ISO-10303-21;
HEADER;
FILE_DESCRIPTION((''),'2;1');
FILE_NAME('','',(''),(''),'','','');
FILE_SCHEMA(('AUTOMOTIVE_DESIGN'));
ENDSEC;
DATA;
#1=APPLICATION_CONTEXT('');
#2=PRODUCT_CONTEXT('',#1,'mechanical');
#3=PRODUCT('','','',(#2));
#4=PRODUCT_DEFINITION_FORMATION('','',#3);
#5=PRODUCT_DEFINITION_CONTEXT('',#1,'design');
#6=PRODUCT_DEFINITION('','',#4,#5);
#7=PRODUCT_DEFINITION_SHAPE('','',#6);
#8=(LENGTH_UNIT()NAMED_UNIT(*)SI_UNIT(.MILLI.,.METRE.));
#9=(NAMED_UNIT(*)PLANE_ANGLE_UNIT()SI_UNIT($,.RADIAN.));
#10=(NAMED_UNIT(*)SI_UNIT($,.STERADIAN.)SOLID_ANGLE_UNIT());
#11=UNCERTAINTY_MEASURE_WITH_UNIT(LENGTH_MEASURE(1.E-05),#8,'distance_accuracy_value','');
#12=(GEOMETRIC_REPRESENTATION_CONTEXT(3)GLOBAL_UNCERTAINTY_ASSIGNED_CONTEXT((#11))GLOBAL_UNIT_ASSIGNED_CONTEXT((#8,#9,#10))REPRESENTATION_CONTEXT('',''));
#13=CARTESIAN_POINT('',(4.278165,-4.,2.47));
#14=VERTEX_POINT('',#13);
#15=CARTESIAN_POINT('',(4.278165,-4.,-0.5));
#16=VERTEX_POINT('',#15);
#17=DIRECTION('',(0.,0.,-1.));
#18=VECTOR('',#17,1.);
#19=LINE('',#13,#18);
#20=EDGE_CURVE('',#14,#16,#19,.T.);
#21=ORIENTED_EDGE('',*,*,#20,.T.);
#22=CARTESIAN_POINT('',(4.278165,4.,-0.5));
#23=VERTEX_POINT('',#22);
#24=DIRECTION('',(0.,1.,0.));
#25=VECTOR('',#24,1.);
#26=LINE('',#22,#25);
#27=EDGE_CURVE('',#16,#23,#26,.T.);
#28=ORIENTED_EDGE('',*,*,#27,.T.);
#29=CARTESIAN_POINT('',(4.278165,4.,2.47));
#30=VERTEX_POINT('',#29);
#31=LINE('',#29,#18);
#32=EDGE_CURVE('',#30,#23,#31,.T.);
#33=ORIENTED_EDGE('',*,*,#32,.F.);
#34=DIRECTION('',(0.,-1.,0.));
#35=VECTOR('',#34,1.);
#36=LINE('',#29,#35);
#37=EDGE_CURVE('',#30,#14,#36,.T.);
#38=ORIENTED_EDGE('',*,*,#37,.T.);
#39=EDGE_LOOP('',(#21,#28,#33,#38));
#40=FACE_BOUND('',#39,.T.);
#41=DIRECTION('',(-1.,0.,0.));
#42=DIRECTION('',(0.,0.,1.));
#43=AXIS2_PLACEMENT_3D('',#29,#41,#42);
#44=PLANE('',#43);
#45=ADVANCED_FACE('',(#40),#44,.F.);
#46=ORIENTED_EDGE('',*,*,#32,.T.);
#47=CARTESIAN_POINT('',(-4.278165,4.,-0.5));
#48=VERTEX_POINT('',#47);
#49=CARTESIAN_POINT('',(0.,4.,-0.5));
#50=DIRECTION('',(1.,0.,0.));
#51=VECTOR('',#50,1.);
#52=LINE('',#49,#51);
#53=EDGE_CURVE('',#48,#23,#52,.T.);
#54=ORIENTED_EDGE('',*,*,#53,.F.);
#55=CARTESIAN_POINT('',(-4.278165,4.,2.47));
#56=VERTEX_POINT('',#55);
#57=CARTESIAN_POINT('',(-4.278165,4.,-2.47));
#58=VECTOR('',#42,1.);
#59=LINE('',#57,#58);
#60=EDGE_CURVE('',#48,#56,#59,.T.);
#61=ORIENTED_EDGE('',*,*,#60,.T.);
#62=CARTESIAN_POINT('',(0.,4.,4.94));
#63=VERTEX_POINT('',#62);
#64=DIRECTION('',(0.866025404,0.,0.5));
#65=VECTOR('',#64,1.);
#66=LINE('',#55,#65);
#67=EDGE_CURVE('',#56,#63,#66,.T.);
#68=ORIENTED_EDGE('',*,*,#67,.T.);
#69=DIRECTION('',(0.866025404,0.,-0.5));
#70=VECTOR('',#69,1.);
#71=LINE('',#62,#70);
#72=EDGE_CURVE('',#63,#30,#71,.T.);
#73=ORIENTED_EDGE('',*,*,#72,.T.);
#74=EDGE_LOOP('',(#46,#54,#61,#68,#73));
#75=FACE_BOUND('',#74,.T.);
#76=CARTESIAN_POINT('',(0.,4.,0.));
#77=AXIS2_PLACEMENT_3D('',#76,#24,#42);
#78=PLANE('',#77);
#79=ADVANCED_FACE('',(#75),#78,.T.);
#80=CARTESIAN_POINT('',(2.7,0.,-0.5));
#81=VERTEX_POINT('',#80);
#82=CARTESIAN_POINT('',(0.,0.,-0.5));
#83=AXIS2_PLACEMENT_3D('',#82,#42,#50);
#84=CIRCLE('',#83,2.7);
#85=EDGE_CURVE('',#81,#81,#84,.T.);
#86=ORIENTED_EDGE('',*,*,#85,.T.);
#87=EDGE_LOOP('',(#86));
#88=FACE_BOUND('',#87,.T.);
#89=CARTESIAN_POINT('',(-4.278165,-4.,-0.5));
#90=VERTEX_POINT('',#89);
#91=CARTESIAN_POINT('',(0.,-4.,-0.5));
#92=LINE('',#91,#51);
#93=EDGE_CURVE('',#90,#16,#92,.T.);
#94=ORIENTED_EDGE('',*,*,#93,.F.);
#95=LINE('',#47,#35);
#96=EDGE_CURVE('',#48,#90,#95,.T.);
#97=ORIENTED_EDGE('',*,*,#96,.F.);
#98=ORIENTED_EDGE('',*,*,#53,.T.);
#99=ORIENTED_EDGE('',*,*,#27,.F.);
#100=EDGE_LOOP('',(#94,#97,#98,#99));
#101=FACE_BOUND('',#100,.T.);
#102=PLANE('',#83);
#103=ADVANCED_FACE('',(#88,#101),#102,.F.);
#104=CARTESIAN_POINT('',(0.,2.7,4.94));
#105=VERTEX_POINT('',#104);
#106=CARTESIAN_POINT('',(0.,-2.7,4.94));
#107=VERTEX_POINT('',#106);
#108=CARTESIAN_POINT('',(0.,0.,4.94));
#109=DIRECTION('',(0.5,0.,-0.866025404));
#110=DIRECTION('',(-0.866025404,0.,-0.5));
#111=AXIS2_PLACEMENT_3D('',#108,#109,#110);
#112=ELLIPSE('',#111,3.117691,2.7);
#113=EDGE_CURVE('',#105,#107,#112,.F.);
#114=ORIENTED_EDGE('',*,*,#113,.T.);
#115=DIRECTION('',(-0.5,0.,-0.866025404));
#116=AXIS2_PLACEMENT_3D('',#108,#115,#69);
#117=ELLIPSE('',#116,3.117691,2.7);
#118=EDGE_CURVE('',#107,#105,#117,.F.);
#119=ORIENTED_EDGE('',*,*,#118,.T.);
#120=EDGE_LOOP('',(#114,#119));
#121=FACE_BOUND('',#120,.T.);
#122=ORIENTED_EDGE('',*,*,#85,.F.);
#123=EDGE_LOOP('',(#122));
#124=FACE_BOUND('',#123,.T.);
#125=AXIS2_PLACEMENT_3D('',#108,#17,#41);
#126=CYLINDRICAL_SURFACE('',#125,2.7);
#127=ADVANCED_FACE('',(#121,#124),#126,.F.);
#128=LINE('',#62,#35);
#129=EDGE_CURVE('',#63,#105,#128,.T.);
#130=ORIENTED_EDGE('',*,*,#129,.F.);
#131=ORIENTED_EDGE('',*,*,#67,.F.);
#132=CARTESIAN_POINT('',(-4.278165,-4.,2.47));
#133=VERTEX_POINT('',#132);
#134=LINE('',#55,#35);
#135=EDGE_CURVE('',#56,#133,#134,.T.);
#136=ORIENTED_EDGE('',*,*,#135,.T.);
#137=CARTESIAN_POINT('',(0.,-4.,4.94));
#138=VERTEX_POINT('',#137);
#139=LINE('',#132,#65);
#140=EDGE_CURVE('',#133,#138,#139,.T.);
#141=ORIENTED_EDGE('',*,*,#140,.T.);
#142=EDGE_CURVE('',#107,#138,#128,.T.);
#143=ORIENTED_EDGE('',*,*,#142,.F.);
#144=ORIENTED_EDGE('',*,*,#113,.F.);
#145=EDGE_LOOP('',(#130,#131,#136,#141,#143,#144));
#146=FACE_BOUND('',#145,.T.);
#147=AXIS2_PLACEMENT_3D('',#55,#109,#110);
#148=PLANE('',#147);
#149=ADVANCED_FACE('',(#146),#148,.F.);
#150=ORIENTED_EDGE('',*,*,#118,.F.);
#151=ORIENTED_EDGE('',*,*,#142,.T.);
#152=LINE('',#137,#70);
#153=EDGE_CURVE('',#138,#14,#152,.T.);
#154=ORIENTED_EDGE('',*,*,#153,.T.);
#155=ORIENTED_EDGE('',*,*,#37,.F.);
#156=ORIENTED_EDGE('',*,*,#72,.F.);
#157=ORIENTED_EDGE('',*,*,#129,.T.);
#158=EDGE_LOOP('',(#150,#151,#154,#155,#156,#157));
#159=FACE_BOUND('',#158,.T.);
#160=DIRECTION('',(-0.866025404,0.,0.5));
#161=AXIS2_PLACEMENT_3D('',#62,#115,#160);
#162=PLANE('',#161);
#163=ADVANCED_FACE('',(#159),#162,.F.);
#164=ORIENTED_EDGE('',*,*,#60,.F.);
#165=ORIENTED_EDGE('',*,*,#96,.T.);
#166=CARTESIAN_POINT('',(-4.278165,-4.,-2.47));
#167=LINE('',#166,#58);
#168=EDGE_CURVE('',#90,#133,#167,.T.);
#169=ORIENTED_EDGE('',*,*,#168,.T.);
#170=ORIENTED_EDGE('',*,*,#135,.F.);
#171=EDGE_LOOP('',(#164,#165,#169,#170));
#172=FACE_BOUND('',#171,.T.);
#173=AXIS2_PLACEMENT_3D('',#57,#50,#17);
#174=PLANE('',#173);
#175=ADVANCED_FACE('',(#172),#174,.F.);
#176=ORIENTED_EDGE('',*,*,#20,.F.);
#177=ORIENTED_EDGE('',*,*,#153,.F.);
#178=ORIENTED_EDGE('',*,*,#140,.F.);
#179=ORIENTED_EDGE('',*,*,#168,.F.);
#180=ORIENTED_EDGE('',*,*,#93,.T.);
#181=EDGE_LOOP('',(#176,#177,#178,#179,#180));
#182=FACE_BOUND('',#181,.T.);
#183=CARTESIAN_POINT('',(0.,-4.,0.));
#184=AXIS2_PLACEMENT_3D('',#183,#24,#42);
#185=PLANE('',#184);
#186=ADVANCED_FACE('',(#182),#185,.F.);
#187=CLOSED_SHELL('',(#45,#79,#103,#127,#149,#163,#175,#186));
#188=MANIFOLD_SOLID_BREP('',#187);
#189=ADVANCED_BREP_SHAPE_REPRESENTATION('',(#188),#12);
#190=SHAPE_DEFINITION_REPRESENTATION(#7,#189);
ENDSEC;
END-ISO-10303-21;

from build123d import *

# Parameters (mm, degrees)
BOSS_EXTRUDE1_DEPTH     = 4
SKETCH2_R               = 2.7
CUT_EXTRUDE2_DEPTH      = 8.662003654
CUT_EXTRUDE2_DEPTH_BACK = 8.662003654


with BuildPart() as part:
    # Sketch1 → Boss-Extrude1 (new, symmetric)
    with BuildSketch(Plane(origin=(0, 0, 0), x_dir=(1, 0, 0), z_dir=(0, 1, 0))):
        Polygon((4.278165495, -2.47), (4.278165495, 2.47), (0, 4.94), (-4.278165495, 2.47), (-4.278165495, -2.47), (0, -4.94), align=None)
    extrude(amount=BOSS_EXTRUDE1_DEPTH, both=True)

    # SurfaceCut1
    split(bisect_by=Plane.XY.offset(-0.5), keep=Keep.TOP)

    # Sketch2 → Cut-Extrude2 (cut, two sides)
    with BuildSketch(Plane.XY) as cut_extrude2_sk:
        with Locations(Location((0, 0, 0), (0, 0, 270))):
            Circle(SKETCH2_R)
    extrude(amount=CUT_EXTRUDE2_DEPTH, mode=Mode.SUBTRACT)
    extrude(cut_extrude2_sk.sketch, amount=-CUT_EXTRUDE2_DEPTH_BACK, mode=Mode.SUBTRACT)


solid = part.part
